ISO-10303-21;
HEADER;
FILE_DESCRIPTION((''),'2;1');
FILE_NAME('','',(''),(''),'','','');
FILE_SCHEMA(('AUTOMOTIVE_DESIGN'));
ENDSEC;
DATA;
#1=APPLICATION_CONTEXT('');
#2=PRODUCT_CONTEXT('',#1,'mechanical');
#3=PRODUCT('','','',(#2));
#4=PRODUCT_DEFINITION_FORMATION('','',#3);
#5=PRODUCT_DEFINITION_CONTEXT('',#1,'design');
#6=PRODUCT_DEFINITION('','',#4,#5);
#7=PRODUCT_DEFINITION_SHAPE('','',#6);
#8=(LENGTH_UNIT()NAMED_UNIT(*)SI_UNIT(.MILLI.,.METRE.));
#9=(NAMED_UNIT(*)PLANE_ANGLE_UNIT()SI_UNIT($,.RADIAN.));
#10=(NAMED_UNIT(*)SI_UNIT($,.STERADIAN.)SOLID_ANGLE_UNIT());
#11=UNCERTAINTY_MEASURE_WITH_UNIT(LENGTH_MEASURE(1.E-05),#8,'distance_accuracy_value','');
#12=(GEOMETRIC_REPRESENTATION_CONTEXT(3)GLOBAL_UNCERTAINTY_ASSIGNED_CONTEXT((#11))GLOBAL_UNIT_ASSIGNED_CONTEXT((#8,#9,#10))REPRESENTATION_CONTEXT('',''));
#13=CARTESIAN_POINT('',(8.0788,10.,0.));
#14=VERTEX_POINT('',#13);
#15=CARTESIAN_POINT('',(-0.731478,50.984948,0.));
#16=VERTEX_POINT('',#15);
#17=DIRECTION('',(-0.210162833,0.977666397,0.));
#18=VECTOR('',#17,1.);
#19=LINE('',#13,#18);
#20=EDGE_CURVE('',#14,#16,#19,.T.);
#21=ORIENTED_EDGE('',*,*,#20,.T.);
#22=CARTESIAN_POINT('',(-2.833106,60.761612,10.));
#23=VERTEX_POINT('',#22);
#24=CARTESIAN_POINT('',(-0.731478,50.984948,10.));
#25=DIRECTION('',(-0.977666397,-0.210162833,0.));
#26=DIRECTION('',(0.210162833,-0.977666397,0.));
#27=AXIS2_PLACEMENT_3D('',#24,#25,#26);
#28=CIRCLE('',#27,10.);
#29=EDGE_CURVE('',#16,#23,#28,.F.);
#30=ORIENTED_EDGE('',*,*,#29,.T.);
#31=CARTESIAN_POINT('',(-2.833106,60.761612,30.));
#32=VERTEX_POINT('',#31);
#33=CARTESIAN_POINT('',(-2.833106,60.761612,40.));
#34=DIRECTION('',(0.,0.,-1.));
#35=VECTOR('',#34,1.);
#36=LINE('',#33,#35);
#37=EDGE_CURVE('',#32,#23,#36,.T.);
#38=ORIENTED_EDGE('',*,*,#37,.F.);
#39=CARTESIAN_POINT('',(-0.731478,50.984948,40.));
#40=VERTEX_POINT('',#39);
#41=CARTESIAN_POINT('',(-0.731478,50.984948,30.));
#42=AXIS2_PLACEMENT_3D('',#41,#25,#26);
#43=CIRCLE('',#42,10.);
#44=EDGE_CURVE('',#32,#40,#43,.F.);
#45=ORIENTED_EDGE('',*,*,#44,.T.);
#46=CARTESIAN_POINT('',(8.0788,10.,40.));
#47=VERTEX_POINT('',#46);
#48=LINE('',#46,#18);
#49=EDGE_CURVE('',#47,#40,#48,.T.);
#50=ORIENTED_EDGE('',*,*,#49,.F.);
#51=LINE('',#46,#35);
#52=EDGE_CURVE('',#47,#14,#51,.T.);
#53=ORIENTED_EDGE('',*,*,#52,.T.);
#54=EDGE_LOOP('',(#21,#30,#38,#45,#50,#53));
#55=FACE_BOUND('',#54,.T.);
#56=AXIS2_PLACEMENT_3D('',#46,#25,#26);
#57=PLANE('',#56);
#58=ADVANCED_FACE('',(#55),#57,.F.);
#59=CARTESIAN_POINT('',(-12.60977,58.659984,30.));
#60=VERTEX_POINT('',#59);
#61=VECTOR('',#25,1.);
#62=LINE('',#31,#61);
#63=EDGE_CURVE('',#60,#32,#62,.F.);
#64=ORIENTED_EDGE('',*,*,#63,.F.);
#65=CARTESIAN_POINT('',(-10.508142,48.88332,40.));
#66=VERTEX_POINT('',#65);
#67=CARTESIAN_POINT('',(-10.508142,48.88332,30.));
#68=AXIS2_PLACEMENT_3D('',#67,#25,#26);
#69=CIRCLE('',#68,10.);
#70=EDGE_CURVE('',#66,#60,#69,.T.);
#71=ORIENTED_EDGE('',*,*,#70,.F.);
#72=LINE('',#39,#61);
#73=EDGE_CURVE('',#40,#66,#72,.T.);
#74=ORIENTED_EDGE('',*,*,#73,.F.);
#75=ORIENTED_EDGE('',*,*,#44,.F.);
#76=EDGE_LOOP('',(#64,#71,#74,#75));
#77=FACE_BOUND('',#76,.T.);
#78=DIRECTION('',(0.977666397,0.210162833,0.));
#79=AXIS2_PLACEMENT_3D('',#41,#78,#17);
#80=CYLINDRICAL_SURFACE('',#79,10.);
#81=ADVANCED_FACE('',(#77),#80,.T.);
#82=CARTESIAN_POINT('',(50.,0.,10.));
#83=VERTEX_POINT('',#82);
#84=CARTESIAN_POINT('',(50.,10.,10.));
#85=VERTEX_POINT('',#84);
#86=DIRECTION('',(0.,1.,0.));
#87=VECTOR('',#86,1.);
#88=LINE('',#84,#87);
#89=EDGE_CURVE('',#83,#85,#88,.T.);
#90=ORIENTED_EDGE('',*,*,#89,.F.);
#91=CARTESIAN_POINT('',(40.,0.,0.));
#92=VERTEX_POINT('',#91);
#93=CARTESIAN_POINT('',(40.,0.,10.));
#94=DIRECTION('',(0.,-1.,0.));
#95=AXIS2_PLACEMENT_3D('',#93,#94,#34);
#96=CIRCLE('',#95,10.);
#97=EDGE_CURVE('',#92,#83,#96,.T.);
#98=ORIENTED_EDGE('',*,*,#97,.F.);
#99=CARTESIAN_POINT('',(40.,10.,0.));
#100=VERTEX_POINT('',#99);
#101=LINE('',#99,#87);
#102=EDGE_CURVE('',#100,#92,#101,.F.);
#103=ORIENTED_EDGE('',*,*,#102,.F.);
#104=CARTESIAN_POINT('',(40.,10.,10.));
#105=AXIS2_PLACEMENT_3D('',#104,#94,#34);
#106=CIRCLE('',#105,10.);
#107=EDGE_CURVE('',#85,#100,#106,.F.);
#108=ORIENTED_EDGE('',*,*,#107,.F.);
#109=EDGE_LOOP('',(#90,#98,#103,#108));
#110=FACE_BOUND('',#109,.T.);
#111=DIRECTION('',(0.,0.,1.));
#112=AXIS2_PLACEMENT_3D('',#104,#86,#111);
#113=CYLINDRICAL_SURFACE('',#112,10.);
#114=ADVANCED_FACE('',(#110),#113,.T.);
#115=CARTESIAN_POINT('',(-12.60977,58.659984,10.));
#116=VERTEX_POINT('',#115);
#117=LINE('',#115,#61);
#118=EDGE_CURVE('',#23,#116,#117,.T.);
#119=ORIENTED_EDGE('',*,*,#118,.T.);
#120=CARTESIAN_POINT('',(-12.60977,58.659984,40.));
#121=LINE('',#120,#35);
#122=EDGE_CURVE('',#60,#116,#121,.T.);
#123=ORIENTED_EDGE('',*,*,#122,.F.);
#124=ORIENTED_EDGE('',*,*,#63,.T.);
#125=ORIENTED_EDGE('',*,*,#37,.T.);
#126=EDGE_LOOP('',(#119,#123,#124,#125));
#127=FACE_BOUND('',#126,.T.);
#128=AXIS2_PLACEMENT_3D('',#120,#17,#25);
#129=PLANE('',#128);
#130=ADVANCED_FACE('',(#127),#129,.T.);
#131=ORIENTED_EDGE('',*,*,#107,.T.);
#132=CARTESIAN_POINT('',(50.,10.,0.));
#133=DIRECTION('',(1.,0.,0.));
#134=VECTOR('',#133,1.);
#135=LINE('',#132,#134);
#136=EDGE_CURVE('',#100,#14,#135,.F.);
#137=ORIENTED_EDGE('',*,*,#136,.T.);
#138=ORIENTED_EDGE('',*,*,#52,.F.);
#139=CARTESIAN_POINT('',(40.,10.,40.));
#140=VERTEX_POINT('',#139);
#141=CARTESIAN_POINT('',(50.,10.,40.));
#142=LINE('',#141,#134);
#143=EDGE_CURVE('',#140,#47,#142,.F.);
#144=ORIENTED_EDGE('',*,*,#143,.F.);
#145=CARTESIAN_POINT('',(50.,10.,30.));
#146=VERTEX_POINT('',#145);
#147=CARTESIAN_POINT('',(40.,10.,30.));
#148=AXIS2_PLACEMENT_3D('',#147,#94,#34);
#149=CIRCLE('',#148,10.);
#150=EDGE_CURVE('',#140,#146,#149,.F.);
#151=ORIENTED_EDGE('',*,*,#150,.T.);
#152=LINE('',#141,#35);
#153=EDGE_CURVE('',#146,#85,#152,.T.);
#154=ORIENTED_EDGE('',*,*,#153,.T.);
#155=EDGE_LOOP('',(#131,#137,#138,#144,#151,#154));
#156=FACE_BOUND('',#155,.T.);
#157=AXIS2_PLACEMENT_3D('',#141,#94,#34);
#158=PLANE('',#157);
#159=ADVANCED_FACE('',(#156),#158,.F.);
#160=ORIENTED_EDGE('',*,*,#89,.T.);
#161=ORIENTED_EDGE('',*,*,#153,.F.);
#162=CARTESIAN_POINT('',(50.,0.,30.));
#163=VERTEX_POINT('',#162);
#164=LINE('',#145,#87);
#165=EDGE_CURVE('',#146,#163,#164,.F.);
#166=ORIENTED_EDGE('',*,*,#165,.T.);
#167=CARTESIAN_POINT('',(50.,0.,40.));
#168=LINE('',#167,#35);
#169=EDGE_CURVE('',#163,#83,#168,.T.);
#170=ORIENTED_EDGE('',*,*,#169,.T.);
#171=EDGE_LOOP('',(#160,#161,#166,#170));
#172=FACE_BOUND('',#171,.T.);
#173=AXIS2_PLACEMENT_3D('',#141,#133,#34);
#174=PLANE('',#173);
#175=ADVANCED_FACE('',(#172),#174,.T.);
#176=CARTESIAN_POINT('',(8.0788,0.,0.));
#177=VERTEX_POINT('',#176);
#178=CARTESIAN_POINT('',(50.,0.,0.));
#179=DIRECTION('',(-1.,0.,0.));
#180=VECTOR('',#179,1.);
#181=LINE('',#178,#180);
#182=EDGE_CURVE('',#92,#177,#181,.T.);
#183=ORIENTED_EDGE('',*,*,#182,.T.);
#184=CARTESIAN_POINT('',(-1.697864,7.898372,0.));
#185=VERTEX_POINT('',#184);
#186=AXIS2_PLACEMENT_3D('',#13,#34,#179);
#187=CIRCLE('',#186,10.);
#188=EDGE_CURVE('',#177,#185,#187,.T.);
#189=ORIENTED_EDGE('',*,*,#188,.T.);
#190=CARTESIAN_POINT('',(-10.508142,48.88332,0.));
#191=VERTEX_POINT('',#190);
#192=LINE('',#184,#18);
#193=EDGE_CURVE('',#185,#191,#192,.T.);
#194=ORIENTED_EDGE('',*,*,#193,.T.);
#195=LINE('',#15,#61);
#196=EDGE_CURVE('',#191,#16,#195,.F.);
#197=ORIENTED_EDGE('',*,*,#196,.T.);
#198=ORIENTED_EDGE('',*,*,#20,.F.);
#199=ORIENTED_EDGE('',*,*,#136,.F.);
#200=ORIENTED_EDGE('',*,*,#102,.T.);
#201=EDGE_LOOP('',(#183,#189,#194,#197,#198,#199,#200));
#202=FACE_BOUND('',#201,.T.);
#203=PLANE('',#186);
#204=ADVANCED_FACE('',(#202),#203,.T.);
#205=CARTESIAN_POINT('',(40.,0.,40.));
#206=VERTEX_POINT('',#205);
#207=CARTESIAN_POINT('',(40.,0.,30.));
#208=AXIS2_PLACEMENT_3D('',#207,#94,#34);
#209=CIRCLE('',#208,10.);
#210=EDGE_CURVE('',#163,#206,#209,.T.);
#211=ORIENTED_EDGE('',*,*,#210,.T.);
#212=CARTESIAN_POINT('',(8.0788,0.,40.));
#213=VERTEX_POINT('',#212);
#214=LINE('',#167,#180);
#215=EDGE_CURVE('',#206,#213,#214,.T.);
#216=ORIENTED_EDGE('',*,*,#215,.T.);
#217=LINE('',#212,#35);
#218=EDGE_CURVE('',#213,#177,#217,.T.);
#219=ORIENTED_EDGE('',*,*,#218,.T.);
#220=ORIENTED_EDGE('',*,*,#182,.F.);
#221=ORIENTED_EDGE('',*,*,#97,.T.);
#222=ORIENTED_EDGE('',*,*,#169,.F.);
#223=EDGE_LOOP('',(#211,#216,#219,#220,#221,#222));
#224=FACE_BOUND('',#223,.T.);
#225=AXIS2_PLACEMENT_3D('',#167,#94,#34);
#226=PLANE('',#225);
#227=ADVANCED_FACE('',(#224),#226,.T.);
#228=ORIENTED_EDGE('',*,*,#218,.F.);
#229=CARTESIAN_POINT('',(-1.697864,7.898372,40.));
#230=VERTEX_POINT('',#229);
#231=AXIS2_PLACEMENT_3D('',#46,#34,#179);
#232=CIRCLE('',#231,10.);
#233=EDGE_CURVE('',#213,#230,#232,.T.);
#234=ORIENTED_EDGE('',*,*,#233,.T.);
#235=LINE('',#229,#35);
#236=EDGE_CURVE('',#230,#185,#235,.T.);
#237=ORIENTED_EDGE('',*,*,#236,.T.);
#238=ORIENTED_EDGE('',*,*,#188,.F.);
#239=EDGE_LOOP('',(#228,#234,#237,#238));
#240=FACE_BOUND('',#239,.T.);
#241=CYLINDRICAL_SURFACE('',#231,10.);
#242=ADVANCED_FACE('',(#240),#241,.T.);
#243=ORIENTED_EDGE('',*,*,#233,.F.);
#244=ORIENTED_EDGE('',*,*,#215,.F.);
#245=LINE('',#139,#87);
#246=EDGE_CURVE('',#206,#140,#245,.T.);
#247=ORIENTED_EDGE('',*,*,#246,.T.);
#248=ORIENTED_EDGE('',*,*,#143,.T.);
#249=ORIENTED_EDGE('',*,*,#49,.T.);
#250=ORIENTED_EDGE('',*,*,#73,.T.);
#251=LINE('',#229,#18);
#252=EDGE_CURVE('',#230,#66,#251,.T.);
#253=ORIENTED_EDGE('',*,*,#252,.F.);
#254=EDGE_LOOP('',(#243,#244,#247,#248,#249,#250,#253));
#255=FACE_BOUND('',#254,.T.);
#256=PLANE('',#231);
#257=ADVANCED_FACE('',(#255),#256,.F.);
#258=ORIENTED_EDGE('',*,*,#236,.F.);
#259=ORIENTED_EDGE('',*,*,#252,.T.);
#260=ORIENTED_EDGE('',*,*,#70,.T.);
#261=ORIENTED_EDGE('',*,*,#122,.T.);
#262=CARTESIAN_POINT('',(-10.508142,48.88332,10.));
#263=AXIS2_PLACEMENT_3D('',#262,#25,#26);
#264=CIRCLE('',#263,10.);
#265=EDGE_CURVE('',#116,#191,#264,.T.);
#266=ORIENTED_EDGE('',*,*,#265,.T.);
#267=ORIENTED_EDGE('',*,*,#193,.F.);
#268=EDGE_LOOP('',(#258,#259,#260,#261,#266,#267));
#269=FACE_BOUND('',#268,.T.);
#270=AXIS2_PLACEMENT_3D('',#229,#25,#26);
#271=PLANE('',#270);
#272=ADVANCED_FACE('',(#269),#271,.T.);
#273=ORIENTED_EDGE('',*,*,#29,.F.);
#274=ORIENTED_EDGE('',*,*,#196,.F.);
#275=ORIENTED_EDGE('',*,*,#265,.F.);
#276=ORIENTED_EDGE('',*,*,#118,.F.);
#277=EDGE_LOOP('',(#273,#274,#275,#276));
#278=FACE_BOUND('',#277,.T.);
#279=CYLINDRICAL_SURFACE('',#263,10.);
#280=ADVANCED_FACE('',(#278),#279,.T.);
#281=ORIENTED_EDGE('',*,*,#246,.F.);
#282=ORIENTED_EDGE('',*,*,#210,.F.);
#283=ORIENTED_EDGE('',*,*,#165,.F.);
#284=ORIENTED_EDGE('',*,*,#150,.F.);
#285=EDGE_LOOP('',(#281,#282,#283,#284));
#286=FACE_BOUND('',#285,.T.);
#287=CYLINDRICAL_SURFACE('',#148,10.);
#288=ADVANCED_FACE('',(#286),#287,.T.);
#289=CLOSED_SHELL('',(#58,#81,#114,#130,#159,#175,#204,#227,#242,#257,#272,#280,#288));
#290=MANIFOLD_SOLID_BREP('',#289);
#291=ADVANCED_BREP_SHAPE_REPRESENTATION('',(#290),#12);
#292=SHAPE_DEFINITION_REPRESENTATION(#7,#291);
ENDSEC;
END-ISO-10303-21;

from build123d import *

# Parameters (mm, degrees)
EXTRUDE_THIN1_DEPTH = 40
FILLET1_R           = 10
FILLET2_R           = 10
FILLET3_R           = 10
FILLET4_R           = 10


with BuildPart() as part:
    # Sketch1 → Extrude-Thin1 (new body)
    with BuildSketch(Plane.XY):
        with BuildLine():
            Line((50, 0), (8.078800395, 0))
            ThreePointArc((8.078800395, 0), (1.794545597, 2.221302061), (-1.697863575, 7.898371675))
            Line((-1.697863575, 7.898371675), (-12.609769953, 58.65998382))
            Line((-12.609769953, 58.65998382), (-2.833105983, 60.761612145))
            Line((-2.833105983, 60.761612145), (8.078800395, 10))
            Line((8.078800395, 10), (50, 10))
            Line((50, 10), (50, 0))
        make_face()
    extrude(amount=EXTRUDE_THIN1_DEPTH)

    # Fillet1
    fillet1_edges = [part.edges().sort_by_distance(p)[0] for p in [
        (-7.721437968, 59.710797982, 40),
    ]]
    fillet(fillet1_edges, radius=FILLET1_R)

    # Fillet2
    fillet2_edges = [part.edges().sort_by_distance(p)[0] for p in [
        (50, 5, 40),
    ]]
    fillet(fillet2_edges, radius=FILLET2_R)

    # Fillet3
    fillet3_edges = [part.edges().sort_by_distance(p)[0] for p in [
        (50, 5, 0),
    ]]
    fillet(fillet3_edges, radius=FILLET3_R)

    # Fillet4
    fillet4_edges = [part.edges().sort_by_distance(p)[0] for p in [
        (-7.721437968, 59.710797982, 0),
    ]]
    fillet(fillet4_edges, radius=FILLET4_R)


solid = part.part
